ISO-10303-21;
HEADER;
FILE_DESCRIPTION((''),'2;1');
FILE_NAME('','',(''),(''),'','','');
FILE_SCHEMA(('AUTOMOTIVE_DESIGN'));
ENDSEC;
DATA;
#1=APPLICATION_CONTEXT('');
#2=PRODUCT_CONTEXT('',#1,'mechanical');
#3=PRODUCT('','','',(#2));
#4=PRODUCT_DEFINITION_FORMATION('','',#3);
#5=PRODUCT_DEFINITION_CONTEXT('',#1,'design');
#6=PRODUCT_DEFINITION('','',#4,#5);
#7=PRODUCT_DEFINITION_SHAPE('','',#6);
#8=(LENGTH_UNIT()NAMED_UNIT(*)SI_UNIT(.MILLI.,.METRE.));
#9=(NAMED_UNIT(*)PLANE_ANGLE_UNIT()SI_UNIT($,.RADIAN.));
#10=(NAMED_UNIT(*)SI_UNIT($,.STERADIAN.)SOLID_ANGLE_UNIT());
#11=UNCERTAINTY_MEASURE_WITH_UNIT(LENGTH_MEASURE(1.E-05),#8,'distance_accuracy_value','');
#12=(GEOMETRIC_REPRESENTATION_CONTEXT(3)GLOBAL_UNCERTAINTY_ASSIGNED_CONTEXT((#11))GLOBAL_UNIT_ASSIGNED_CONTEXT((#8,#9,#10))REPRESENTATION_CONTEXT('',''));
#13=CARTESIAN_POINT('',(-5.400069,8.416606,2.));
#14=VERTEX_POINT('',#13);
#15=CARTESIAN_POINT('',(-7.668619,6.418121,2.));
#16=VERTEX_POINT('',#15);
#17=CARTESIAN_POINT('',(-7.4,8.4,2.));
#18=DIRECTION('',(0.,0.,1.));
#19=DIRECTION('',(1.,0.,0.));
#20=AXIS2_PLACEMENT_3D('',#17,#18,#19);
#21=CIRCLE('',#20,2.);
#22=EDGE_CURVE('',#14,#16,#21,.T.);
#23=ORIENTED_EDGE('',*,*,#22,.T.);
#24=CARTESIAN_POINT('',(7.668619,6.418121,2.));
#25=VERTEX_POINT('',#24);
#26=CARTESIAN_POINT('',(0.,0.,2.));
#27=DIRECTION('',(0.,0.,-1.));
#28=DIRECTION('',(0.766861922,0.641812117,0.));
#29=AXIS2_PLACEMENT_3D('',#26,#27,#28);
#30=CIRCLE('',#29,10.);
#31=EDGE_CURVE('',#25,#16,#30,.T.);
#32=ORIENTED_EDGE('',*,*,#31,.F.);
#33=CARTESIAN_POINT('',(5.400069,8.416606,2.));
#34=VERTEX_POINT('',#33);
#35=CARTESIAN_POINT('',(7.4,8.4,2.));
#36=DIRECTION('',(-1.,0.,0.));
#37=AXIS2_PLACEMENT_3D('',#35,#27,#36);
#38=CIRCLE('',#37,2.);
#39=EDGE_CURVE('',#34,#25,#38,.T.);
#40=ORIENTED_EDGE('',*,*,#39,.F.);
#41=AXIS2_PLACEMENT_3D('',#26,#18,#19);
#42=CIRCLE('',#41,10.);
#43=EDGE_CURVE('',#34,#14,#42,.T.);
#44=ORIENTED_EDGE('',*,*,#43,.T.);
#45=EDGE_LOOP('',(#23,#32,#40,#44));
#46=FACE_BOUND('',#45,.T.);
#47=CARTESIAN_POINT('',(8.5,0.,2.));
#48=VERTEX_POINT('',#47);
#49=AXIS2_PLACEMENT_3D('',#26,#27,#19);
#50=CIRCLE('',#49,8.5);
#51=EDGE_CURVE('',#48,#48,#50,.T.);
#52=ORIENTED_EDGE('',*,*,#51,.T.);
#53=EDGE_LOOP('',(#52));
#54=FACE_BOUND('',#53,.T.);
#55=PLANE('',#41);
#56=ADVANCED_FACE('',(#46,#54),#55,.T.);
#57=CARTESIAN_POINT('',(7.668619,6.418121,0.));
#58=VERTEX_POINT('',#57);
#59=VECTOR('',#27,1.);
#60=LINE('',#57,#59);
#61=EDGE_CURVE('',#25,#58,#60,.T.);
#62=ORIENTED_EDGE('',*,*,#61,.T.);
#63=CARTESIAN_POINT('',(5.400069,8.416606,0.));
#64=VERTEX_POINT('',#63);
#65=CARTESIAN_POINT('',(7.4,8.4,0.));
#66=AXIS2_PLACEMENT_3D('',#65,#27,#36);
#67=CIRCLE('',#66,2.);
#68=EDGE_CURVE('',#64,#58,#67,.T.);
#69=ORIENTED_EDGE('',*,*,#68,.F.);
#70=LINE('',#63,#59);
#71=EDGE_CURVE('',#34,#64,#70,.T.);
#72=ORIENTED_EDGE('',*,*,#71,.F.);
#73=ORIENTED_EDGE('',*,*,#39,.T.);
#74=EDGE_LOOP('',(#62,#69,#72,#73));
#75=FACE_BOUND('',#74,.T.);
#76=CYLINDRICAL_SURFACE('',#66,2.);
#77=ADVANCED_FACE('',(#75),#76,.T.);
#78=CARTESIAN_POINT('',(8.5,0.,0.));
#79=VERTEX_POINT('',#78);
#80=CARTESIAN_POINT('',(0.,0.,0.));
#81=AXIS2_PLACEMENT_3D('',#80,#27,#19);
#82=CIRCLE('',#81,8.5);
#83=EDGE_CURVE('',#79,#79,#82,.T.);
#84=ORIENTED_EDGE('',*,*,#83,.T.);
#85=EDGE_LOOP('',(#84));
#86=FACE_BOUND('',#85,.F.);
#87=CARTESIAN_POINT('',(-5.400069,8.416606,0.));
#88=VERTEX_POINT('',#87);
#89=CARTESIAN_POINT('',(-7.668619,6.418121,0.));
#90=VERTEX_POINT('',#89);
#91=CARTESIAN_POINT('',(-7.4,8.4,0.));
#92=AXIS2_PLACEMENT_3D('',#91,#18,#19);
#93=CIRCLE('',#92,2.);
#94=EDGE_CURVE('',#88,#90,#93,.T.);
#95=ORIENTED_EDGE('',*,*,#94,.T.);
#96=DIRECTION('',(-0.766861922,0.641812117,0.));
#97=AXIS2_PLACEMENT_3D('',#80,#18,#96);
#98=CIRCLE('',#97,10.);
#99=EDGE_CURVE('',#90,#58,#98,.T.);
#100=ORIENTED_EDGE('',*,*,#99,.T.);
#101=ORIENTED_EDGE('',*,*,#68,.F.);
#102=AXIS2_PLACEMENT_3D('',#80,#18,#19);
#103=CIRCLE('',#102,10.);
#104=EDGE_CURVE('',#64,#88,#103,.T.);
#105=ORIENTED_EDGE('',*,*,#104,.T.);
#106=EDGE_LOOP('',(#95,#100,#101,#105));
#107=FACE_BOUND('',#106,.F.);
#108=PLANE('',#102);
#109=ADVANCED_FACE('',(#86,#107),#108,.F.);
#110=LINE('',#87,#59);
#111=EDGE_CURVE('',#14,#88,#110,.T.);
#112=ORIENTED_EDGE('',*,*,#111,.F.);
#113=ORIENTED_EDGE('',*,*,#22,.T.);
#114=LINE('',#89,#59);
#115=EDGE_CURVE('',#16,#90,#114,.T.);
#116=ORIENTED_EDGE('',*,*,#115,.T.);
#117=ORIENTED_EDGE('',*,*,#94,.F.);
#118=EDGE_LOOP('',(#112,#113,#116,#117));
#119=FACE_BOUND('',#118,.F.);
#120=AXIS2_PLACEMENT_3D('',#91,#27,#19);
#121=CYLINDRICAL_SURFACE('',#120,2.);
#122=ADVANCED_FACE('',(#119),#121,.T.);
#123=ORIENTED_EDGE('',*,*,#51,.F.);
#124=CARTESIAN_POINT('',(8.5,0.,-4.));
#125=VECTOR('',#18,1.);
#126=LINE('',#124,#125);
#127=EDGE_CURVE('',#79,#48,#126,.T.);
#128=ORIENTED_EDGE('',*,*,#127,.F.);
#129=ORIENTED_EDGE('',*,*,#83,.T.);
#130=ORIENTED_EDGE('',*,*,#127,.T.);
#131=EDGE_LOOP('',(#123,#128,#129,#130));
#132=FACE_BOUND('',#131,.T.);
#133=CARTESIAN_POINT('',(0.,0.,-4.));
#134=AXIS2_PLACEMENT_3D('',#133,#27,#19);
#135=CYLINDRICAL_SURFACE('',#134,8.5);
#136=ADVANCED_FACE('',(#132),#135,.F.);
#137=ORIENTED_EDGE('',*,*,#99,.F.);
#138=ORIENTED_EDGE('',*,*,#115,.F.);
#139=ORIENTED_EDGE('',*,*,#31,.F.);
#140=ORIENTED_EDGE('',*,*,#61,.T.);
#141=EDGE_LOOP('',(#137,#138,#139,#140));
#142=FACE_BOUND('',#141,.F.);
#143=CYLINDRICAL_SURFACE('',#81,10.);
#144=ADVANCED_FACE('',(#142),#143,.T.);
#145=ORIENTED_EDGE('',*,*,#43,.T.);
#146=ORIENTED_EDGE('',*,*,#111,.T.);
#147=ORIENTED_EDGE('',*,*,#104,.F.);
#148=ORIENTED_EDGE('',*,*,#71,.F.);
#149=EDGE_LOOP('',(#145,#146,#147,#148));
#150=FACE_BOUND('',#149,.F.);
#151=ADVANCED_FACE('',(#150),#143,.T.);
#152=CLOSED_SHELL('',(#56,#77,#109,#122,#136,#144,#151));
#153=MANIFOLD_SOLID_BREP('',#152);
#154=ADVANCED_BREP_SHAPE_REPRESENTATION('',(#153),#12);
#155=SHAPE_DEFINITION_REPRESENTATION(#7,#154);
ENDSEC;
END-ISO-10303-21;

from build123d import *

# Parameters (mm, degrees)
CYLINDER001_R     = 8.5
CYLINDER001_DEPTH = 10
CYLINDER_R        = 10
CYLINDER_DEPTH    = 2
CYLINDER002_R     = 2
CYLINDER002_DEPTH = 2


with BuildPart() as cilindro001:
    # Cylinder001 → Cylinder001 (new body)
    with BuildSketch(Plane.XY.offset(-4)):
        Circle(CYLINDER001_R)
    extrude(amount=CYLINDER001_DEPTH)


with BuildPart() as cut:
    # Cylinder → Cylinder (new body)
    with BuildSketch(Plane.XY):
        Circle(CYLINDER_R)
    extrude(amount=CYLINDER_DEPTH)

    # Cut: cut Cilindro001
    add(cilindro001.part, mode=Mode.SUBTRACT)


with BuildPart() as oreja_izquierda:
    # Cylinder002 → Cylinder002 (new body)
    with BuildSketch(Plane(origin=(-7.4, 8.4, 0), x_dir=(1, 0, 0), z_dir=(0, 0, 1))):
        Circle(CYLINDER002_R)
    extrude(amount=CYLINDER002_DEPTH)


with BuildPart() as part_mirroring:
    # Part__Mirroring: instance of Oreja-izquierda
    add(oreja_izquierda.part.mirror(Plane(origin=(0, 0, 0), x_dir=(0, -1, 0), z_dir=(1, 0, 0))))


with BuildPart() as anillo_osito:
    # Fusion base: copy of Oreja-izquierda
    add(oreja_izquierda.part)

    # Fusion: union Part__Mirroring
    add(part_mirroring.part)

    # Fusion001: union Cut
    add(cut.part)


solid = anillo_osito.part
